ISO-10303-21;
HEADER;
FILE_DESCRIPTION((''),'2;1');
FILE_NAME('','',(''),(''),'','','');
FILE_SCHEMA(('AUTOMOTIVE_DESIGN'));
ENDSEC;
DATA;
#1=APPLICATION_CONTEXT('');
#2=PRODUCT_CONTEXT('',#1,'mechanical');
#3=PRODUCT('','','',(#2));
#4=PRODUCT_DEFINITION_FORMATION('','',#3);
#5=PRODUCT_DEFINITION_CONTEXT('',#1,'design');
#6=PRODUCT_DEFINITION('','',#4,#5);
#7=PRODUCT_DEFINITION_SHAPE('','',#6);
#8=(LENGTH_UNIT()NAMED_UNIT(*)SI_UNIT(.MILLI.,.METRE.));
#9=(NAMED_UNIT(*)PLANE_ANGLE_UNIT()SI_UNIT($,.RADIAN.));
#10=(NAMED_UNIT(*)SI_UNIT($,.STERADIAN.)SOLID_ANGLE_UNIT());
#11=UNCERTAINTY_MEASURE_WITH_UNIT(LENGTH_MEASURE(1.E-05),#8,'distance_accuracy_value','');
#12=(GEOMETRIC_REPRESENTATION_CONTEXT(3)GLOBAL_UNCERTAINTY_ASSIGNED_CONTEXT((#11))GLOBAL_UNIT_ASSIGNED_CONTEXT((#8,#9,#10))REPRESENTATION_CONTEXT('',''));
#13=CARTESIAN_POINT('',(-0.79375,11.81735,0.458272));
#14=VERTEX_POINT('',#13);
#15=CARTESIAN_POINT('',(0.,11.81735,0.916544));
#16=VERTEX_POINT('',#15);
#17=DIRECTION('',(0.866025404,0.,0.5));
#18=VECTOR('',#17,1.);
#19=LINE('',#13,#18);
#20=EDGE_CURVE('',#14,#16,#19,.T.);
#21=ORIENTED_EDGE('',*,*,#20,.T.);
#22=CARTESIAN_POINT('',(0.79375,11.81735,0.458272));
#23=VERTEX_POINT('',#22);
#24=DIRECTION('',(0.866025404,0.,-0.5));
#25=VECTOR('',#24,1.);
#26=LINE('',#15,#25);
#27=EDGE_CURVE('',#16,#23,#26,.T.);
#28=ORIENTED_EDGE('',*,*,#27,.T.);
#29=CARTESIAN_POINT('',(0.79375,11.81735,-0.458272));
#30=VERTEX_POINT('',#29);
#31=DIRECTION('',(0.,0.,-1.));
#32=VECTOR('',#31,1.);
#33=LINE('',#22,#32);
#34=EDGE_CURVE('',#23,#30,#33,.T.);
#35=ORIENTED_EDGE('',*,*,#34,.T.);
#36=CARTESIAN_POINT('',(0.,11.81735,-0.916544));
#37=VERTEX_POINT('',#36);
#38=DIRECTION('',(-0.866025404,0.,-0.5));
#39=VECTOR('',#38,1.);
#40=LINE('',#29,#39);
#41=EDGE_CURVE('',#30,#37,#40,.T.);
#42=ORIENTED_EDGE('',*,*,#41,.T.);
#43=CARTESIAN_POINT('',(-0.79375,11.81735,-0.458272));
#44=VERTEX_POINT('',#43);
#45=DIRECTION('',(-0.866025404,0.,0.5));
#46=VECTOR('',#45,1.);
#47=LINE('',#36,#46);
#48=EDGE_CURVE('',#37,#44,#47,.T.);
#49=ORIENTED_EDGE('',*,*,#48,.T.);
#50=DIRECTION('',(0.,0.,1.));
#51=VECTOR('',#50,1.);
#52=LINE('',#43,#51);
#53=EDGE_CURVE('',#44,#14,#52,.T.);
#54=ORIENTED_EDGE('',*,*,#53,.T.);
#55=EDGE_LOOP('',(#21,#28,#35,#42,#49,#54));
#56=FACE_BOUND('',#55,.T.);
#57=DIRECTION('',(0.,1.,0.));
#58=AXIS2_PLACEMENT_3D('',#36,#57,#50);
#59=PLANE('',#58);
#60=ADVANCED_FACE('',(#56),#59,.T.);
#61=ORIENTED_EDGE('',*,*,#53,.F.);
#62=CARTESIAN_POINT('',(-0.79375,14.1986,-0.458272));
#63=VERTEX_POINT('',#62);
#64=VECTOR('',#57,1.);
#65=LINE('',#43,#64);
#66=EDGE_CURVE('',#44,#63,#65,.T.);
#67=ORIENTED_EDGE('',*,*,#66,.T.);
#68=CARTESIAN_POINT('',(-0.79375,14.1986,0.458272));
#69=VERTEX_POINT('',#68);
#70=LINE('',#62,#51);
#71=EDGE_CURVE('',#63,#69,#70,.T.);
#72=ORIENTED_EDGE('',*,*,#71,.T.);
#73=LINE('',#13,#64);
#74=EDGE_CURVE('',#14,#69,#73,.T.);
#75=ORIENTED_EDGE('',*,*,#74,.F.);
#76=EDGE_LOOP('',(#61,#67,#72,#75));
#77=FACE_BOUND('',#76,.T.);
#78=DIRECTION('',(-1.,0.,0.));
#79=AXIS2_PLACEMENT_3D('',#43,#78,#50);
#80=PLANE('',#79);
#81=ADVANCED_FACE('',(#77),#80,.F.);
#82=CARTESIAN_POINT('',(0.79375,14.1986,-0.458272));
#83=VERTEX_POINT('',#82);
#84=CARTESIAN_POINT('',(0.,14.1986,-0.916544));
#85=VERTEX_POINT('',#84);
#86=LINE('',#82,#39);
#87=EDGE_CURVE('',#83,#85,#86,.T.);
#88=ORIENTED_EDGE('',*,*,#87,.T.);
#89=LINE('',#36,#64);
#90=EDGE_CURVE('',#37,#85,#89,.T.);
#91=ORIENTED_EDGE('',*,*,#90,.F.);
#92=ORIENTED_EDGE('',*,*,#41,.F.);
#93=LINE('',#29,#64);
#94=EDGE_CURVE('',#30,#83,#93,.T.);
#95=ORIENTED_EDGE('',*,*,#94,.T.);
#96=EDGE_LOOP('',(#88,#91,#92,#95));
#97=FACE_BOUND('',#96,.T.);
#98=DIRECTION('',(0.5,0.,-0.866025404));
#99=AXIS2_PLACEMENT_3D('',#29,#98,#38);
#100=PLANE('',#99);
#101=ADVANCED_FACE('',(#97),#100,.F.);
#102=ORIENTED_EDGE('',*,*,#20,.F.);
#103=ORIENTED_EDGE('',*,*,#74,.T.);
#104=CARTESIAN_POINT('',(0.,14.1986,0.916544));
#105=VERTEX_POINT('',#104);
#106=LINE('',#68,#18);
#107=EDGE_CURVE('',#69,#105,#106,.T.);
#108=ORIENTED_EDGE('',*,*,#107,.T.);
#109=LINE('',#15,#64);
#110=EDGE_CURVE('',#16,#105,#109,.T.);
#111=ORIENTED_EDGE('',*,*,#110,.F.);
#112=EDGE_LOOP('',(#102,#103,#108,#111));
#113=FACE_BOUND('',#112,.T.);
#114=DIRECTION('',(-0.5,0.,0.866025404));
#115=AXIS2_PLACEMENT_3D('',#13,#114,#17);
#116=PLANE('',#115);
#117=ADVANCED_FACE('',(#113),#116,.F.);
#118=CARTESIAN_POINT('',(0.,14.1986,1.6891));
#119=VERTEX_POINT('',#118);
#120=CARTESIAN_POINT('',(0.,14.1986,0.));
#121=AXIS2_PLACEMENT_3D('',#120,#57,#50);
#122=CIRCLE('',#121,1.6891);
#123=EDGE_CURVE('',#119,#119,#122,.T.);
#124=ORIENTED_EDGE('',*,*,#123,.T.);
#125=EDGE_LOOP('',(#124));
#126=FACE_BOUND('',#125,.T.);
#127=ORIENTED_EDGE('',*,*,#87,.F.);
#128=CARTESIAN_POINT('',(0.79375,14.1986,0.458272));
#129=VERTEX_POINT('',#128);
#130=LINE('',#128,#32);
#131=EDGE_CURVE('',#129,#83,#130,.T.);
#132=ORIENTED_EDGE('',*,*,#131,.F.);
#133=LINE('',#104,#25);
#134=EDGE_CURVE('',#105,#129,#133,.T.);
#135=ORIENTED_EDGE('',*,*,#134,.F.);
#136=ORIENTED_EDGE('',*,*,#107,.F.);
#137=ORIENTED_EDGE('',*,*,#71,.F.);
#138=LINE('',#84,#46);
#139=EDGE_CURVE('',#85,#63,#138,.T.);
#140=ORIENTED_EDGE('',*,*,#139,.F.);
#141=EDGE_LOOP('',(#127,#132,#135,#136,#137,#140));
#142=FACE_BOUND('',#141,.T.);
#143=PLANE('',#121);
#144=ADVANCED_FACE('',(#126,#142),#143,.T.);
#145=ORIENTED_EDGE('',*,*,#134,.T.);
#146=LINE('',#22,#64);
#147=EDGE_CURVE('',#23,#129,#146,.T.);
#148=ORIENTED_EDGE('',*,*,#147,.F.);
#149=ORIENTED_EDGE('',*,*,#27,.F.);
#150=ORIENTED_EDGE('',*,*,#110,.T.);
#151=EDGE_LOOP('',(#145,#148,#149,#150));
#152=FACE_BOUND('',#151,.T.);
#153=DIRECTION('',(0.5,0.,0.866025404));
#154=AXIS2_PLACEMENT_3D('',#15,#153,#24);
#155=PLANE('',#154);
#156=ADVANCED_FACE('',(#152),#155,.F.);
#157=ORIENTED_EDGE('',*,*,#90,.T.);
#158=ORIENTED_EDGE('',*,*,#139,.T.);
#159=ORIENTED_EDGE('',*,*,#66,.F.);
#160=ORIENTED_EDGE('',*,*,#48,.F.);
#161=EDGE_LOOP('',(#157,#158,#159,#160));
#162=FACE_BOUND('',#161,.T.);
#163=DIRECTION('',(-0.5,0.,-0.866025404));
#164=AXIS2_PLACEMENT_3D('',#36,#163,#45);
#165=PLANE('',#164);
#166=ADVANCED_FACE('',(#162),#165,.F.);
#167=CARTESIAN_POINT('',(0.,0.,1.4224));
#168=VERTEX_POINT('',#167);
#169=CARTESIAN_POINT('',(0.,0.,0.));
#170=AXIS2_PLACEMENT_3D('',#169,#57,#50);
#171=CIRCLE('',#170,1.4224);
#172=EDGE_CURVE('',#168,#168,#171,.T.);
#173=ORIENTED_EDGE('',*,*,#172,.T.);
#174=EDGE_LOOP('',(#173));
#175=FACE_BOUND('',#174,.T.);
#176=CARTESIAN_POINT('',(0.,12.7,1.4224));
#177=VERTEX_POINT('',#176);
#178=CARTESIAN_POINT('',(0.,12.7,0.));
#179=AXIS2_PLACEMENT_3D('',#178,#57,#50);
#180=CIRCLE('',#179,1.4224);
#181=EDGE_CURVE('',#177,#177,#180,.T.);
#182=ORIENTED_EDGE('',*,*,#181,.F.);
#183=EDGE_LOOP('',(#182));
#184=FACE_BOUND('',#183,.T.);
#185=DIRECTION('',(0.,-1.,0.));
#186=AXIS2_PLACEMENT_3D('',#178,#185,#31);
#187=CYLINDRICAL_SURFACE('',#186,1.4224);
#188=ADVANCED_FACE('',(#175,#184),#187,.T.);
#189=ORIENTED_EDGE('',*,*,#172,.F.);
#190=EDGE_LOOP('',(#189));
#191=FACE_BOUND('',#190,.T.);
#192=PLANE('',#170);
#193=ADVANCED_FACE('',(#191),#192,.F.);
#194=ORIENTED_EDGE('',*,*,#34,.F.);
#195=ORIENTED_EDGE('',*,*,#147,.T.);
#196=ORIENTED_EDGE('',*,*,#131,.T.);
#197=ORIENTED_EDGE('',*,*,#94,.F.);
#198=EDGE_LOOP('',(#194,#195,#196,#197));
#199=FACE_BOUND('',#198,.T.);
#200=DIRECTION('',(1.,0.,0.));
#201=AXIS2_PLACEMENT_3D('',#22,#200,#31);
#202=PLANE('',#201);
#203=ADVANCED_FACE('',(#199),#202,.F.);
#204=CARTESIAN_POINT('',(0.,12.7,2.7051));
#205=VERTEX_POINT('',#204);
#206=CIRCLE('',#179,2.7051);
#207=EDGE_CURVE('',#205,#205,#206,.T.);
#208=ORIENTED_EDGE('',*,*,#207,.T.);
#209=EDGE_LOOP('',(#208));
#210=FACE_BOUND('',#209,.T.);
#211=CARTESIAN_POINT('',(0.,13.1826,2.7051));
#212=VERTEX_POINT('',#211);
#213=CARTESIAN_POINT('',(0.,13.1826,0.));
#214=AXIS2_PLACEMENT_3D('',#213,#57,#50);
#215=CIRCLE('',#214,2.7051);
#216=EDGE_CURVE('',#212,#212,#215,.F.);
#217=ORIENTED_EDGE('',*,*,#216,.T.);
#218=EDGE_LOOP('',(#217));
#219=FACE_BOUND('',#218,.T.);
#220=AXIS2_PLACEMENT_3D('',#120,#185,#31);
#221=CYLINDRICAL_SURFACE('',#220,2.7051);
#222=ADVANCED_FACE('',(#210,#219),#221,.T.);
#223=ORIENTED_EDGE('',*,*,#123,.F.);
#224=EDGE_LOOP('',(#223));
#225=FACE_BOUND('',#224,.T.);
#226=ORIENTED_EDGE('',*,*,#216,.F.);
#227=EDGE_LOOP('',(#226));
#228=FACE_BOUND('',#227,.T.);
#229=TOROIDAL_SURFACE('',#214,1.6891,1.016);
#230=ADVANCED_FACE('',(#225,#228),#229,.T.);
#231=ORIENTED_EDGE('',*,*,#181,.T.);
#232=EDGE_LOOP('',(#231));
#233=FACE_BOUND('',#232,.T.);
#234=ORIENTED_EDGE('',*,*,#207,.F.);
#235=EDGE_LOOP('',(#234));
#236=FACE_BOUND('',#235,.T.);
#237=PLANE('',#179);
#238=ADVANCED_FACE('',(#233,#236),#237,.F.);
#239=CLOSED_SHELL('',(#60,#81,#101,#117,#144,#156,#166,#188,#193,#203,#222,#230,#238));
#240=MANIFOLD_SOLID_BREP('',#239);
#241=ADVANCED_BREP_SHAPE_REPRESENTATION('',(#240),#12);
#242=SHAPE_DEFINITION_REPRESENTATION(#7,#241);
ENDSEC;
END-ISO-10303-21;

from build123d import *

# Parameters (mm, degrees)
SKETCH1_R           = 1.4224
BOSS_EXTRUDE1_DEPTH = 12.7
SKETCH2_R           = 2.7051
BOSS_EXTRUDE2_DEPTH = 1.4986
FILLET1_R           = 1.016
CUT_EXTRUDE1_DEPTH  = 2.38125


with BuildPart() as part:
    # Sketch1 → Boss-Extrude1 (new body)
    with BuildSketch(Plane(origin=(0, 0, 0), x_dir=(1, 0, 0), z_dir=(0, 1, 0))):
        Circle(SKETCH1_R)
    extrude(amount=BOSS_EXTRUDE1_DEPTH)

    # Sketch2 → Boss-Extrude2 (add)
    with BuildSketch(Plane(origin=(0, 12.7, 0), x_dir=(1, 0, 0), z_dir=(0, 1, 0))):
        Circle(SKETCH2_R)
    extrude(amount=BOSS_EXTRUDE2_DEPTH)

    # Fillet1
    fillet1_edges = [part.edges().sort_by_distance(p)[0] for p in [
        (-2.7051, 14.1986, 0),
    ]]
    fillet(fillet1_edges, radius=FILLET1_R)

    # Sketch3 → Cut-Extrude1 (cut)
    with BuildSketch(Plane(origin=(0, 14.1986, 0), x_dir=(1, 0, 0), z_dir=(0, 1, 0))):
        Polygon((0, 0.916543552), (-0.79375, 0.458271776), (-0.79375, -0.458271776), (0, -0.916543552), (0.79375, -0.458271776), (0.79375, 0.458271776), align=None)
    extrude(amount=-CUT_EXTRUDE1_DEPTH, mode=Mode.SUBTRACT)


solid = part.part
